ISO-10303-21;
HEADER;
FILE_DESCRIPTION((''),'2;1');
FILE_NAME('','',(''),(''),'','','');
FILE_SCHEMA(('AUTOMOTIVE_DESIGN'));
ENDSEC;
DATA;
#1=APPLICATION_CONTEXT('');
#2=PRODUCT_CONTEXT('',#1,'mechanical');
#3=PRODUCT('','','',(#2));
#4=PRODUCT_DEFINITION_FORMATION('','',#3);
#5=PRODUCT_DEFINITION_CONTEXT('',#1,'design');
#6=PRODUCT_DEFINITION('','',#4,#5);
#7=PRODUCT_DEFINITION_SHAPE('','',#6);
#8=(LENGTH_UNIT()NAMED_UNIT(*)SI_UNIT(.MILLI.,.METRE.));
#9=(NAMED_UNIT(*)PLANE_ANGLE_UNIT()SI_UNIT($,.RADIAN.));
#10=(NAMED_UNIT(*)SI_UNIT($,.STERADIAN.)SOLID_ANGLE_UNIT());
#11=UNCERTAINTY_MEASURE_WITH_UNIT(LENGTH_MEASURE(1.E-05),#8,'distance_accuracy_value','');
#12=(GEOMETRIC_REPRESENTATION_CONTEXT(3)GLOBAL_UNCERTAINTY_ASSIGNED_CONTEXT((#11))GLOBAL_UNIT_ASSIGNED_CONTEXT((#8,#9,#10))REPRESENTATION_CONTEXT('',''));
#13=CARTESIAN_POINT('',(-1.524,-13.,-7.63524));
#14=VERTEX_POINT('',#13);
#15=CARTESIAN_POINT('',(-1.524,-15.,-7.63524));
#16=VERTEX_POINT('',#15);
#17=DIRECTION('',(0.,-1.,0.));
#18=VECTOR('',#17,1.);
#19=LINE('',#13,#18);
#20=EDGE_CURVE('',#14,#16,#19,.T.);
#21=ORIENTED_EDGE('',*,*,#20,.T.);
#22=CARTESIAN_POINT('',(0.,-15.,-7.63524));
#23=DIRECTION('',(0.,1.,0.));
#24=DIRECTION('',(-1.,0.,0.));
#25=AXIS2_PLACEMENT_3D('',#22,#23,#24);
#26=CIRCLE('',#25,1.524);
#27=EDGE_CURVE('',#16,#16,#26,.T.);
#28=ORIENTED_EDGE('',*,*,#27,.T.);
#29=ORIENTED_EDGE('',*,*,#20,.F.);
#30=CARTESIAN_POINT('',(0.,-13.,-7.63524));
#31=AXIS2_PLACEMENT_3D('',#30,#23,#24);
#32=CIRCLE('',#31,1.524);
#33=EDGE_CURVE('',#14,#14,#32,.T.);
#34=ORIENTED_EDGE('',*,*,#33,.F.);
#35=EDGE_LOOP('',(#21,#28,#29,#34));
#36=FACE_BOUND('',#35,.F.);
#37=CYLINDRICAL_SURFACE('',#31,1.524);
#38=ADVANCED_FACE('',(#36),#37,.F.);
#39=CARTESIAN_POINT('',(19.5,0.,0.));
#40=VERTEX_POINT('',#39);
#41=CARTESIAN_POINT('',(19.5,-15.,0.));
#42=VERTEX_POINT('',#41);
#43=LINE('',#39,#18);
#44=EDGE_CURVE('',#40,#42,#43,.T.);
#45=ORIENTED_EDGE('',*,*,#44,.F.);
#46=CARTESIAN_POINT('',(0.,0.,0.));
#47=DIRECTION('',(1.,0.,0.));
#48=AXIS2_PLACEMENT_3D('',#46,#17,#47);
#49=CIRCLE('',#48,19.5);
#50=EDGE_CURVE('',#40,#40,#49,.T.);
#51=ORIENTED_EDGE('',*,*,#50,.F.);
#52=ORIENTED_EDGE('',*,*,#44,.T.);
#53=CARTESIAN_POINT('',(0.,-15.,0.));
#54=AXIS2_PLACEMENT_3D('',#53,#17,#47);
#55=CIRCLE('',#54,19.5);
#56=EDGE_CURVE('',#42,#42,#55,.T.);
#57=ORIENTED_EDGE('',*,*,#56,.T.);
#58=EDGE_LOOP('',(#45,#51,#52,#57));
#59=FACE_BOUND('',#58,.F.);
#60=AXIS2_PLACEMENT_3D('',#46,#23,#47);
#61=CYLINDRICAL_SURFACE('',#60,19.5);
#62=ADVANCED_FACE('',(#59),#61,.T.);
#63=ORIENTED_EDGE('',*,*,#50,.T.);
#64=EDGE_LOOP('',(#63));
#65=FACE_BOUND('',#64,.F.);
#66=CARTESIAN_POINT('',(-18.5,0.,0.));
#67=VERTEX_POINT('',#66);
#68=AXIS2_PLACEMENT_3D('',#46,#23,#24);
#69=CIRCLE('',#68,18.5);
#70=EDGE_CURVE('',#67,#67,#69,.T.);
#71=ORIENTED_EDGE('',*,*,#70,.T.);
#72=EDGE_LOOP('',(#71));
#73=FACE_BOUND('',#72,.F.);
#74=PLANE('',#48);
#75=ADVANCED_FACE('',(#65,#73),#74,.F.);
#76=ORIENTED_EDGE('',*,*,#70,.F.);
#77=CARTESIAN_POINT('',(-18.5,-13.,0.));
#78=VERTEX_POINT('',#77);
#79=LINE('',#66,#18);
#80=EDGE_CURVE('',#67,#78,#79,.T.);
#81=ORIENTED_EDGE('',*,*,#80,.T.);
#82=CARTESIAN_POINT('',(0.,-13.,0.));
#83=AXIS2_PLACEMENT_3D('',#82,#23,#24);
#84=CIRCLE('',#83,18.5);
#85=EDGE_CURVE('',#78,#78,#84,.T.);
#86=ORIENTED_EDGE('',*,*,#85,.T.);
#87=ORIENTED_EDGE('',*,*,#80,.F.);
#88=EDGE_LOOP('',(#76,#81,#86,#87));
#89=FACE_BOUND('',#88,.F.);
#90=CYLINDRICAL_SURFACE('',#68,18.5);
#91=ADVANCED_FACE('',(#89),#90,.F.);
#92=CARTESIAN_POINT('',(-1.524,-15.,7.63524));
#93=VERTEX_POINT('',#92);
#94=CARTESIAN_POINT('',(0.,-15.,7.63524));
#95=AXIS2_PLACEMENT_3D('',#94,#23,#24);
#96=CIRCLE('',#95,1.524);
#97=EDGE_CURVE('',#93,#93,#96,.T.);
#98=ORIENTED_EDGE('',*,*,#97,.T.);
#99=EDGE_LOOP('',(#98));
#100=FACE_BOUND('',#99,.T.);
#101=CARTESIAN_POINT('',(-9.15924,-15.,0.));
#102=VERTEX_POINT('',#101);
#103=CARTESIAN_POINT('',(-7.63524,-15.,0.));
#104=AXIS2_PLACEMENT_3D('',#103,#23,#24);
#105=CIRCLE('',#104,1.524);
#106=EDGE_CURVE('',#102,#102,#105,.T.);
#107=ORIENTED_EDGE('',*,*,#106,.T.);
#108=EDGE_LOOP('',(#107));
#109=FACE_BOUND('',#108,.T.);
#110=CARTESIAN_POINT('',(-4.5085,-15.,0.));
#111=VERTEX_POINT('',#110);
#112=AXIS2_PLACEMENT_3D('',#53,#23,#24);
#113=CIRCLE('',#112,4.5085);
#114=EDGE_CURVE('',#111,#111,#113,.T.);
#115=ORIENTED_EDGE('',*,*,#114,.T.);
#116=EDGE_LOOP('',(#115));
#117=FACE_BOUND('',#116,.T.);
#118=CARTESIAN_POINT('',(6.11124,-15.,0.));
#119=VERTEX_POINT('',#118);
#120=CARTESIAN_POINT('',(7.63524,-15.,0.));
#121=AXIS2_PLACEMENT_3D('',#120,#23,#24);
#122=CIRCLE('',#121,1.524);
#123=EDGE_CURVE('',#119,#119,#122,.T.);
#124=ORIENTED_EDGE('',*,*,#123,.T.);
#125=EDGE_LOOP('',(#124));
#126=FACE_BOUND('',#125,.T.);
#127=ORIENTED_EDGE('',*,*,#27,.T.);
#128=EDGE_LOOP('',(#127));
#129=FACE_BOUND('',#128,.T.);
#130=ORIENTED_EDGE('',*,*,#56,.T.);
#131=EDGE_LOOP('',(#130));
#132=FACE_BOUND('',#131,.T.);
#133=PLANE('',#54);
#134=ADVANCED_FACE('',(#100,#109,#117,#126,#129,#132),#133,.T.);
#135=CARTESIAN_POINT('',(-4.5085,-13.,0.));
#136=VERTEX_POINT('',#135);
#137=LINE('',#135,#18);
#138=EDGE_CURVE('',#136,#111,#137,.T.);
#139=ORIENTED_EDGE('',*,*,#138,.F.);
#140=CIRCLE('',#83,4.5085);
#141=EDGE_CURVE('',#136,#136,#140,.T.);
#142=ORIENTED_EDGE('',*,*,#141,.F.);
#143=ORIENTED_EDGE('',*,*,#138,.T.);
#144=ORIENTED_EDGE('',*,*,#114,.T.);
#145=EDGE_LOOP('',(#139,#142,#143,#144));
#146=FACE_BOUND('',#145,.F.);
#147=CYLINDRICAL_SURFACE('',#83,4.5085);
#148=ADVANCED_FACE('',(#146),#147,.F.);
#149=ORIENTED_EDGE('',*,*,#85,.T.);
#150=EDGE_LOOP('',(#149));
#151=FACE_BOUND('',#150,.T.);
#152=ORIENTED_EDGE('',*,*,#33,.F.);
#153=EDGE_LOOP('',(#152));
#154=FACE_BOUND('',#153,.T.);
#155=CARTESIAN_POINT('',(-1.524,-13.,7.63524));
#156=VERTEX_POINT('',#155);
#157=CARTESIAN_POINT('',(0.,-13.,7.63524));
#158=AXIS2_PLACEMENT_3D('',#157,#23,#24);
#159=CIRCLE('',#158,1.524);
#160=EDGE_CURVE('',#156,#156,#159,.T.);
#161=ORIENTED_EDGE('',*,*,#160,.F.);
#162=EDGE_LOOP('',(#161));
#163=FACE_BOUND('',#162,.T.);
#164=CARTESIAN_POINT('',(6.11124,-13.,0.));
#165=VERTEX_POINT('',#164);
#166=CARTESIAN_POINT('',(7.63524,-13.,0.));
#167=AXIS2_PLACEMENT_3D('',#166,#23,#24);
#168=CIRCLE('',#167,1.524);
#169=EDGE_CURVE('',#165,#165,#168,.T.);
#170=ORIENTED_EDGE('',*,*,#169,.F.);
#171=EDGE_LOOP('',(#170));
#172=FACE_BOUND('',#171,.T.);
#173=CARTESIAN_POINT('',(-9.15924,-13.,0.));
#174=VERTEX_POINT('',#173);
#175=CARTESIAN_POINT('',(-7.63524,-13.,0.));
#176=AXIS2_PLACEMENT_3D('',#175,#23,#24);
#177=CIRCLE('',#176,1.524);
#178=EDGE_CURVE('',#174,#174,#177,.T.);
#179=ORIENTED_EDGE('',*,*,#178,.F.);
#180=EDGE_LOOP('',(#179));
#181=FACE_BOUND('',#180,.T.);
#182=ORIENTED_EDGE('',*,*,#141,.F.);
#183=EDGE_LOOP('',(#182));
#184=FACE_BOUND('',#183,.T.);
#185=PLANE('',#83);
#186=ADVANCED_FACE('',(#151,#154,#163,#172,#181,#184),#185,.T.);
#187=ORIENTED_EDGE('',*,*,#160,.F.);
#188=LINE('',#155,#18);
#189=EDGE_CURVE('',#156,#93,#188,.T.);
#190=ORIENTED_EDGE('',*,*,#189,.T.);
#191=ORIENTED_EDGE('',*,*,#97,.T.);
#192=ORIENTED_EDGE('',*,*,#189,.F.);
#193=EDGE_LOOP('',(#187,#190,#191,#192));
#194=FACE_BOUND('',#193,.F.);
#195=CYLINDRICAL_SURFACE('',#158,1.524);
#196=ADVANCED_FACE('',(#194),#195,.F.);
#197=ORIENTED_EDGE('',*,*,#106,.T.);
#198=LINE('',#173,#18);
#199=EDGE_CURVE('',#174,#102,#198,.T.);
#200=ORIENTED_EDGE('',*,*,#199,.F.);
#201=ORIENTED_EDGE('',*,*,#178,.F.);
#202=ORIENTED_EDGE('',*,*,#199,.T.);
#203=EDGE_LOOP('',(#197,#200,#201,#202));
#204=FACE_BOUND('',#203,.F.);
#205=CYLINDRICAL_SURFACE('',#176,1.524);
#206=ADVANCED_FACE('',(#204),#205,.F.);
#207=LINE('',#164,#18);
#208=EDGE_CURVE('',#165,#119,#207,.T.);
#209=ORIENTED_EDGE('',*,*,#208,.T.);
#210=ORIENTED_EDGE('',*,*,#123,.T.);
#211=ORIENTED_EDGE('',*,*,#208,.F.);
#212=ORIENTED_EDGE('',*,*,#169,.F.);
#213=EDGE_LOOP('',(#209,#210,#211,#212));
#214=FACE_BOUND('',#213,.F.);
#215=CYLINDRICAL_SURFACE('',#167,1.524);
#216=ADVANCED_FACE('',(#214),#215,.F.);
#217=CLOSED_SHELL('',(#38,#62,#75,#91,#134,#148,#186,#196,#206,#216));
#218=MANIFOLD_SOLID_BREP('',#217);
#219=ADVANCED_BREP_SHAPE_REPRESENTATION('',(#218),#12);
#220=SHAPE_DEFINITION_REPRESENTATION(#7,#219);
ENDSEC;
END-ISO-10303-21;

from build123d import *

# Parameters (mm, degrees)
F0_R     = 19.5
F1_DEPTH = 15
F2_R     = 18.5
F3_DEPTH = 13
F4_R     = 4.5085
F4_R_2   = 1.524
F5_DEPTH = 2.001


with BuildPart() as f1:
    # F0 (on Front) → F1 (new body)
    with BuildSketch(Plane.XZ):
        Circle(F0_R)
    extrude(amount=F1_DEPTH)

    # F2 (on face) → F3 (cut)
    with BuildSketch(Plane(origin=(0, 0, 0), x_dir=(-1, 0, 0), z_dir=(0, 1, 0))):
        Circle(F2_R)
    extrude(amount=-F3_DEPTH, mode=Mode.SUBTRACT)

    # F4 (on face) → F5 (cut, through all)
    with BuildSketch(Plane(origin=(0, -13, 0), x_dir=(-1, 0, 0), z_dir=(0, 1, 0))):
        Circle(F4_R)
        with Locations((0, 7.63524)):
            Circle(F4_R_2)
        with Locations((-7.63524, 0)):
            Circle(F4_R_2)
        with Locations((0, -7.63524)):
            Circle(F4_R_2)
        with Locations((7.63524, 0)):
            Circle(F4_R_2)
    extrude(amount=-F5_DEPTH, mode=Mode.SUBTRACT)


solid = f1.part
